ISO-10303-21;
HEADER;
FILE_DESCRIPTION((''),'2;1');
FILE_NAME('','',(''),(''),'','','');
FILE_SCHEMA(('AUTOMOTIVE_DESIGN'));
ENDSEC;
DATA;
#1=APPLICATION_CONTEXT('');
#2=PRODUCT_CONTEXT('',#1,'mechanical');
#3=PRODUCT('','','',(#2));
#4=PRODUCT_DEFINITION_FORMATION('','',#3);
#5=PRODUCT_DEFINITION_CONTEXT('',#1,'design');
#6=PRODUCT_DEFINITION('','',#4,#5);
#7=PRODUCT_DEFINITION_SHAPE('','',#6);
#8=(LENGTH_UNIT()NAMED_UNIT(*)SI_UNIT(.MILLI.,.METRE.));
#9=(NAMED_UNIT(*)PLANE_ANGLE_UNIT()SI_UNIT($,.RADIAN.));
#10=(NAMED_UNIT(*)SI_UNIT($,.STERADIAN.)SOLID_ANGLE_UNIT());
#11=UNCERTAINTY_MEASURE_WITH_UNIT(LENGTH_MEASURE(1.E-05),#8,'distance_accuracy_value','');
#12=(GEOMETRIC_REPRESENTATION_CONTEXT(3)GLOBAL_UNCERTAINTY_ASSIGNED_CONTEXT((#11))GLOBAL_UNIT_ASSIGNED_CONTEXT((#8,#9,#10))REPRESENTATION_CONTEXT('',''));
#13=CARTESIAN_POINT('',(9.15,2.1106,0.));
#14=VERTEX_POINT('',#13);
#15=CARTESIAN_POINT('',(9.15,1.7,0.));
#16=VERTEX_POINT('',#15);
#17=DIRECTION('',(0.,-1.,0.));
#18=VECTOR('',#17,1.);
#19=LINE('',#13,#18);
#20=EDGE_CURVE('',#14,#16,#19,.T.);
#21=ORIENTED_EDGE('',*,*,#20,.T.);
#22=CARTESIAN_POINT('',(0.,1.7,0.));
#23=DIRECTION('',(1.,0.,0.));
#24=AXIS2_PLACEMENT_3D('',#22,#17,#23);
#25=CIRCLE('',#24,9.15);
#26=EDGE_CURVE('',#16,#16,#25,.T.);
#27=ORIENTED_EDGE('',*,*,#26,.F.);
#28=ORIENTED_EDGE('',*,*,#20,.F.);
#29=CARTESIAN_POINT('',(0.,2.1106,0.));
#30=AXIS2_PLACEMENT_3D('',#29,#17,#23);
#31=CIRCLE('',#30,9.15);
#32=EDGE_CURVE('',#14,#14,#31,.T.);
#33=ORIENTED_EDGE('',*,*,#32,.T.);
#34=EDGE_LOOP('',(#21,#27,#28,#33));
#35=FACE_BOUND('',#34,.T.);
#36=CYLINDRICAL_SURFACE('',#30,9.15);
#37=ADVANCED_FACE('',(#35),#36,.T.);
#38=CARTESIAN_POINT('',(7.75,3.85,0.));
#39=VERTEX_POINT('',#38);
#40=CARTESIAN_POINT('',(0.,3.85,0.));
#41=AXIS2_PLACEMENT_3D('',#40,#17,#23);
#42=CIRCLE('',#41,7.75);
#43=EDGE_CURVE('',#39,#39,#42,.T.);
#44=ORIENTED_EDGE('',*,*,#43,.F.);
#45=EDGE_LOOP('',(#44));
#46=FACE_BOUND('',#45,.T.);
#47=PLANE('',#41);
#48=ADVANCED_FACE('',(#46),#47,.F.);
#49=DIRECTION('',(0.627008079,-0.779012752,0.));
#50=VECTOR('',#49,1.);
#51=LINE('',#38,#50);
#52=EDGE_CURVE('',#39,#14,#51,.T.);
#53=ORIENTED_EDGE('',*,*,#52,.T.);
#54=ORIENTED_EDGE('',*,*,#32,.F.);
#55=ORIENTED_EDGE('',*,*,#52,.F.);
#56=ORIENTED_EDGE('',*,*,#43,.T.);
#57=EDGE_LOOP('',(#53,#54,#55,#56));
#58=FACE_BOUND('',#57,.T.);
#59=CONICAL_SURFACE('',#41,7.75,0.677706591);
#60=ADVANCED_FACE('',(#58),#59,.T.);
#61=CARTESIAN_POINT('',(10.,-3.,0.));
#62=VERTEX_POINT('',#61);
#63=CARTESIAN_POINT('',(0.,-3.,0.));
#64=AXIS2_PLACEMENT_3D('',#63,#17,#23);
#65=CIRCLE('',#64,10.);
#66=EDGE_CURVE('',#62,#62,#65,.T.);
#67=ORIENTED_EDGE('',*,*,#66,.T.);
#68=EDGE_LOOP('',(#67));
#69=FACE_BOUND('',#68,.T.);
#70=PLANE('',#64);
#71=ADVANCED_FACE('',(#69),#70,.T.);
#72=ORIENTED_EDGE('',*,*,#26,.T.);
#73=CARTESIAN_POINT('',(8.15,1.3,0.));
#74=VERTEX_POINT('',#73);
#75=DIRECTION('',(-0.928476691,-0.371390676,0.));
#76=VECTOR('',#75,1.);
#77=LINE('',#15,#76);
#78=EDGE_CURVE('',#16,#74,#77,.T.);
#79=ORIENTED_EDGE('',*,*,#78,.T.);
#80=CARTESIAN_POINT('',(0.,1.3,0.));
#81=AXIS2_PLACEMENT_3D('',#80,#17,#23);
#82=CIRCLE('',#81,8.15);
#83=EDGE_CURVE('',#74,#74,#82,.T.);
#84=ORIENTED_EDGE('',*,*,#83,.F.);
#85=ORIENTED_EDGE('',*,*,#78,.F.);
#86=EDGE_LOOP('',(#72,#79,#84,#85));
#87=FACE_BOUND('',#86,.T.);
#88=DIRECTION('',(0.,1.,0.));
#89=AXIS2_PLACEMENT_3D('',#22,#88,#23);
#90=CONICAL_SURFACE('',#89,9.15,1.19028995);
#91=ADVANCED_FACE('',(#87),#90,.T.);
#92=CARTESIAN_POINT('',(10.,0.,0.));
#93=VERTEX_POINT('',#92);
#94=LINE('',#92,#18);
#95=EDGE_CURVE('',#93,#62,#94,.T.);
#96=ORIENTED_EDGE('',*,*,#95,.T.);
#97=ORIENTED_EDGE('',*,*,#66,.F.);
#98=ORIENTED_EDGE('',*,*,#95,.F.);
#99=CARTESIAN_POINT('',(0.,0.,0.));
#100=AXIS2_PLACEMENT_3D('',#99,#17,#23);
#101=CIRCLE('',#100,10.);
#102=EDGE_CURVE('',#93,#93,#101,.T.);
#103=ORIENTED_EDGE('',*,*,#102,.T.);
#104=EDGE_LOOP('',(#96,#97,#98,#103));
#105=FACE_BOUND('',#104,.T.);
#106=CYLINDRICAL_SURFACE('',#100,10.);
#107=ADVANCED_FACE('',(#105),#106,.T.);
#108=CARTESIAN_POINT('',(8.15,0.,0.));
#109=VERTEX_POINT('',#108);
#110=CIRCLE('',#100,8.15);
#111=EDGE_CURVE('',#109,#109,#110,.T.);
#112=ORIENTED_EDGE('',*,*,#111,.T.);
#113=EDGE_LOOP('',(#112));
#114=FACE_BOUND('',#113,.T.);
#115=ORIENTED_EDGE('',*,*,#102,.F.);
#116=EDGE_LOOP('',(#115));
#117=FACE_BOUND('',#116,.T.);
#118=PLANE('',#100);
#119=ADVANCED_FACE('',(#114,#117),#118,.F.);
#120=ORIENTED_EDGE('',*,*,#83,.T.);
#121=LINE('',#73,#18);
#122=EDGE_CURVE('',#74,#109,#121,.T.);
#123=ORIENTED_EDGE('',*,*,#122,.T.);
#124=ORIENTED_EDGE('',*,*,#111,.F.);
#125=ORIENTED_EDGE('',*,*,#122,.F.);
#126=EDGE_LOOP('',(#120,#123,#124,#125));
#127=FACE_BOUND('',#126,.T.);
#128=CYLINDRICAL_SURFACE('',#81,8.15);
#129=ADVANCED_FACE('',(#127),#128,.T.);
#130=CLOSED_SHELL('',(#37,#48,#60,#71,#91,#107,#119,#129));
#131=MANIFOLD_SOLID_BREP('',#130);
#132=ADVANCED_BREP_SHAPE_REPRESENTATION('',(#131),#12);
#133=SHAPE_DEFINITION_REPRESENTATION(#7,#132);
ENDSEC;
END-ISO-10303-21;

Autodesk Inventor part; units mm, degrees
sketch "Sketch_1" plane through (0, 0, 0) normal (0, 0, 1) x (1, 0, 0)
  line L0 (0, -3) -> (0, 3.85)
  line L1 (0, 3.85) -> (7.75, 3.85)
  line L2 (7.75, 3.85) -> (9.15, 2.1106)
  line L3 (9.15, 2.1106) -> (9.15, 1.7)
  line L4 (9.15, 1.7) -> (8.15, 1.3)
  line L5 (8.15, 1.3) -> (8.15, 0)
  line L6 (8.15, 0) -> (10, 0)
  line L7 (10, 0) -> (10, -3)
  line L8 (10, -3) -> (0, -3)
  line L9 (0, -3) -> (0, 3.85)
revolve "Revolution1" add sketch "Sketch_1" angle 360 about axis through (0, -3, 0) along (0, -1, 0)
ref_plane "P1_XY" through (0, 0, 0) normal (0, 1, 0) x (1, 0, 0)
ref_plane "P1_YZ" through (0, 0, 0) normal (1, 0, 0) x (0, 0, -1)
ref_plane "P1_ZX" through (0, 0, 0) normal (0, 0, -1) x (0, 1, 0)
properties part number "0000-00168553(1)"
